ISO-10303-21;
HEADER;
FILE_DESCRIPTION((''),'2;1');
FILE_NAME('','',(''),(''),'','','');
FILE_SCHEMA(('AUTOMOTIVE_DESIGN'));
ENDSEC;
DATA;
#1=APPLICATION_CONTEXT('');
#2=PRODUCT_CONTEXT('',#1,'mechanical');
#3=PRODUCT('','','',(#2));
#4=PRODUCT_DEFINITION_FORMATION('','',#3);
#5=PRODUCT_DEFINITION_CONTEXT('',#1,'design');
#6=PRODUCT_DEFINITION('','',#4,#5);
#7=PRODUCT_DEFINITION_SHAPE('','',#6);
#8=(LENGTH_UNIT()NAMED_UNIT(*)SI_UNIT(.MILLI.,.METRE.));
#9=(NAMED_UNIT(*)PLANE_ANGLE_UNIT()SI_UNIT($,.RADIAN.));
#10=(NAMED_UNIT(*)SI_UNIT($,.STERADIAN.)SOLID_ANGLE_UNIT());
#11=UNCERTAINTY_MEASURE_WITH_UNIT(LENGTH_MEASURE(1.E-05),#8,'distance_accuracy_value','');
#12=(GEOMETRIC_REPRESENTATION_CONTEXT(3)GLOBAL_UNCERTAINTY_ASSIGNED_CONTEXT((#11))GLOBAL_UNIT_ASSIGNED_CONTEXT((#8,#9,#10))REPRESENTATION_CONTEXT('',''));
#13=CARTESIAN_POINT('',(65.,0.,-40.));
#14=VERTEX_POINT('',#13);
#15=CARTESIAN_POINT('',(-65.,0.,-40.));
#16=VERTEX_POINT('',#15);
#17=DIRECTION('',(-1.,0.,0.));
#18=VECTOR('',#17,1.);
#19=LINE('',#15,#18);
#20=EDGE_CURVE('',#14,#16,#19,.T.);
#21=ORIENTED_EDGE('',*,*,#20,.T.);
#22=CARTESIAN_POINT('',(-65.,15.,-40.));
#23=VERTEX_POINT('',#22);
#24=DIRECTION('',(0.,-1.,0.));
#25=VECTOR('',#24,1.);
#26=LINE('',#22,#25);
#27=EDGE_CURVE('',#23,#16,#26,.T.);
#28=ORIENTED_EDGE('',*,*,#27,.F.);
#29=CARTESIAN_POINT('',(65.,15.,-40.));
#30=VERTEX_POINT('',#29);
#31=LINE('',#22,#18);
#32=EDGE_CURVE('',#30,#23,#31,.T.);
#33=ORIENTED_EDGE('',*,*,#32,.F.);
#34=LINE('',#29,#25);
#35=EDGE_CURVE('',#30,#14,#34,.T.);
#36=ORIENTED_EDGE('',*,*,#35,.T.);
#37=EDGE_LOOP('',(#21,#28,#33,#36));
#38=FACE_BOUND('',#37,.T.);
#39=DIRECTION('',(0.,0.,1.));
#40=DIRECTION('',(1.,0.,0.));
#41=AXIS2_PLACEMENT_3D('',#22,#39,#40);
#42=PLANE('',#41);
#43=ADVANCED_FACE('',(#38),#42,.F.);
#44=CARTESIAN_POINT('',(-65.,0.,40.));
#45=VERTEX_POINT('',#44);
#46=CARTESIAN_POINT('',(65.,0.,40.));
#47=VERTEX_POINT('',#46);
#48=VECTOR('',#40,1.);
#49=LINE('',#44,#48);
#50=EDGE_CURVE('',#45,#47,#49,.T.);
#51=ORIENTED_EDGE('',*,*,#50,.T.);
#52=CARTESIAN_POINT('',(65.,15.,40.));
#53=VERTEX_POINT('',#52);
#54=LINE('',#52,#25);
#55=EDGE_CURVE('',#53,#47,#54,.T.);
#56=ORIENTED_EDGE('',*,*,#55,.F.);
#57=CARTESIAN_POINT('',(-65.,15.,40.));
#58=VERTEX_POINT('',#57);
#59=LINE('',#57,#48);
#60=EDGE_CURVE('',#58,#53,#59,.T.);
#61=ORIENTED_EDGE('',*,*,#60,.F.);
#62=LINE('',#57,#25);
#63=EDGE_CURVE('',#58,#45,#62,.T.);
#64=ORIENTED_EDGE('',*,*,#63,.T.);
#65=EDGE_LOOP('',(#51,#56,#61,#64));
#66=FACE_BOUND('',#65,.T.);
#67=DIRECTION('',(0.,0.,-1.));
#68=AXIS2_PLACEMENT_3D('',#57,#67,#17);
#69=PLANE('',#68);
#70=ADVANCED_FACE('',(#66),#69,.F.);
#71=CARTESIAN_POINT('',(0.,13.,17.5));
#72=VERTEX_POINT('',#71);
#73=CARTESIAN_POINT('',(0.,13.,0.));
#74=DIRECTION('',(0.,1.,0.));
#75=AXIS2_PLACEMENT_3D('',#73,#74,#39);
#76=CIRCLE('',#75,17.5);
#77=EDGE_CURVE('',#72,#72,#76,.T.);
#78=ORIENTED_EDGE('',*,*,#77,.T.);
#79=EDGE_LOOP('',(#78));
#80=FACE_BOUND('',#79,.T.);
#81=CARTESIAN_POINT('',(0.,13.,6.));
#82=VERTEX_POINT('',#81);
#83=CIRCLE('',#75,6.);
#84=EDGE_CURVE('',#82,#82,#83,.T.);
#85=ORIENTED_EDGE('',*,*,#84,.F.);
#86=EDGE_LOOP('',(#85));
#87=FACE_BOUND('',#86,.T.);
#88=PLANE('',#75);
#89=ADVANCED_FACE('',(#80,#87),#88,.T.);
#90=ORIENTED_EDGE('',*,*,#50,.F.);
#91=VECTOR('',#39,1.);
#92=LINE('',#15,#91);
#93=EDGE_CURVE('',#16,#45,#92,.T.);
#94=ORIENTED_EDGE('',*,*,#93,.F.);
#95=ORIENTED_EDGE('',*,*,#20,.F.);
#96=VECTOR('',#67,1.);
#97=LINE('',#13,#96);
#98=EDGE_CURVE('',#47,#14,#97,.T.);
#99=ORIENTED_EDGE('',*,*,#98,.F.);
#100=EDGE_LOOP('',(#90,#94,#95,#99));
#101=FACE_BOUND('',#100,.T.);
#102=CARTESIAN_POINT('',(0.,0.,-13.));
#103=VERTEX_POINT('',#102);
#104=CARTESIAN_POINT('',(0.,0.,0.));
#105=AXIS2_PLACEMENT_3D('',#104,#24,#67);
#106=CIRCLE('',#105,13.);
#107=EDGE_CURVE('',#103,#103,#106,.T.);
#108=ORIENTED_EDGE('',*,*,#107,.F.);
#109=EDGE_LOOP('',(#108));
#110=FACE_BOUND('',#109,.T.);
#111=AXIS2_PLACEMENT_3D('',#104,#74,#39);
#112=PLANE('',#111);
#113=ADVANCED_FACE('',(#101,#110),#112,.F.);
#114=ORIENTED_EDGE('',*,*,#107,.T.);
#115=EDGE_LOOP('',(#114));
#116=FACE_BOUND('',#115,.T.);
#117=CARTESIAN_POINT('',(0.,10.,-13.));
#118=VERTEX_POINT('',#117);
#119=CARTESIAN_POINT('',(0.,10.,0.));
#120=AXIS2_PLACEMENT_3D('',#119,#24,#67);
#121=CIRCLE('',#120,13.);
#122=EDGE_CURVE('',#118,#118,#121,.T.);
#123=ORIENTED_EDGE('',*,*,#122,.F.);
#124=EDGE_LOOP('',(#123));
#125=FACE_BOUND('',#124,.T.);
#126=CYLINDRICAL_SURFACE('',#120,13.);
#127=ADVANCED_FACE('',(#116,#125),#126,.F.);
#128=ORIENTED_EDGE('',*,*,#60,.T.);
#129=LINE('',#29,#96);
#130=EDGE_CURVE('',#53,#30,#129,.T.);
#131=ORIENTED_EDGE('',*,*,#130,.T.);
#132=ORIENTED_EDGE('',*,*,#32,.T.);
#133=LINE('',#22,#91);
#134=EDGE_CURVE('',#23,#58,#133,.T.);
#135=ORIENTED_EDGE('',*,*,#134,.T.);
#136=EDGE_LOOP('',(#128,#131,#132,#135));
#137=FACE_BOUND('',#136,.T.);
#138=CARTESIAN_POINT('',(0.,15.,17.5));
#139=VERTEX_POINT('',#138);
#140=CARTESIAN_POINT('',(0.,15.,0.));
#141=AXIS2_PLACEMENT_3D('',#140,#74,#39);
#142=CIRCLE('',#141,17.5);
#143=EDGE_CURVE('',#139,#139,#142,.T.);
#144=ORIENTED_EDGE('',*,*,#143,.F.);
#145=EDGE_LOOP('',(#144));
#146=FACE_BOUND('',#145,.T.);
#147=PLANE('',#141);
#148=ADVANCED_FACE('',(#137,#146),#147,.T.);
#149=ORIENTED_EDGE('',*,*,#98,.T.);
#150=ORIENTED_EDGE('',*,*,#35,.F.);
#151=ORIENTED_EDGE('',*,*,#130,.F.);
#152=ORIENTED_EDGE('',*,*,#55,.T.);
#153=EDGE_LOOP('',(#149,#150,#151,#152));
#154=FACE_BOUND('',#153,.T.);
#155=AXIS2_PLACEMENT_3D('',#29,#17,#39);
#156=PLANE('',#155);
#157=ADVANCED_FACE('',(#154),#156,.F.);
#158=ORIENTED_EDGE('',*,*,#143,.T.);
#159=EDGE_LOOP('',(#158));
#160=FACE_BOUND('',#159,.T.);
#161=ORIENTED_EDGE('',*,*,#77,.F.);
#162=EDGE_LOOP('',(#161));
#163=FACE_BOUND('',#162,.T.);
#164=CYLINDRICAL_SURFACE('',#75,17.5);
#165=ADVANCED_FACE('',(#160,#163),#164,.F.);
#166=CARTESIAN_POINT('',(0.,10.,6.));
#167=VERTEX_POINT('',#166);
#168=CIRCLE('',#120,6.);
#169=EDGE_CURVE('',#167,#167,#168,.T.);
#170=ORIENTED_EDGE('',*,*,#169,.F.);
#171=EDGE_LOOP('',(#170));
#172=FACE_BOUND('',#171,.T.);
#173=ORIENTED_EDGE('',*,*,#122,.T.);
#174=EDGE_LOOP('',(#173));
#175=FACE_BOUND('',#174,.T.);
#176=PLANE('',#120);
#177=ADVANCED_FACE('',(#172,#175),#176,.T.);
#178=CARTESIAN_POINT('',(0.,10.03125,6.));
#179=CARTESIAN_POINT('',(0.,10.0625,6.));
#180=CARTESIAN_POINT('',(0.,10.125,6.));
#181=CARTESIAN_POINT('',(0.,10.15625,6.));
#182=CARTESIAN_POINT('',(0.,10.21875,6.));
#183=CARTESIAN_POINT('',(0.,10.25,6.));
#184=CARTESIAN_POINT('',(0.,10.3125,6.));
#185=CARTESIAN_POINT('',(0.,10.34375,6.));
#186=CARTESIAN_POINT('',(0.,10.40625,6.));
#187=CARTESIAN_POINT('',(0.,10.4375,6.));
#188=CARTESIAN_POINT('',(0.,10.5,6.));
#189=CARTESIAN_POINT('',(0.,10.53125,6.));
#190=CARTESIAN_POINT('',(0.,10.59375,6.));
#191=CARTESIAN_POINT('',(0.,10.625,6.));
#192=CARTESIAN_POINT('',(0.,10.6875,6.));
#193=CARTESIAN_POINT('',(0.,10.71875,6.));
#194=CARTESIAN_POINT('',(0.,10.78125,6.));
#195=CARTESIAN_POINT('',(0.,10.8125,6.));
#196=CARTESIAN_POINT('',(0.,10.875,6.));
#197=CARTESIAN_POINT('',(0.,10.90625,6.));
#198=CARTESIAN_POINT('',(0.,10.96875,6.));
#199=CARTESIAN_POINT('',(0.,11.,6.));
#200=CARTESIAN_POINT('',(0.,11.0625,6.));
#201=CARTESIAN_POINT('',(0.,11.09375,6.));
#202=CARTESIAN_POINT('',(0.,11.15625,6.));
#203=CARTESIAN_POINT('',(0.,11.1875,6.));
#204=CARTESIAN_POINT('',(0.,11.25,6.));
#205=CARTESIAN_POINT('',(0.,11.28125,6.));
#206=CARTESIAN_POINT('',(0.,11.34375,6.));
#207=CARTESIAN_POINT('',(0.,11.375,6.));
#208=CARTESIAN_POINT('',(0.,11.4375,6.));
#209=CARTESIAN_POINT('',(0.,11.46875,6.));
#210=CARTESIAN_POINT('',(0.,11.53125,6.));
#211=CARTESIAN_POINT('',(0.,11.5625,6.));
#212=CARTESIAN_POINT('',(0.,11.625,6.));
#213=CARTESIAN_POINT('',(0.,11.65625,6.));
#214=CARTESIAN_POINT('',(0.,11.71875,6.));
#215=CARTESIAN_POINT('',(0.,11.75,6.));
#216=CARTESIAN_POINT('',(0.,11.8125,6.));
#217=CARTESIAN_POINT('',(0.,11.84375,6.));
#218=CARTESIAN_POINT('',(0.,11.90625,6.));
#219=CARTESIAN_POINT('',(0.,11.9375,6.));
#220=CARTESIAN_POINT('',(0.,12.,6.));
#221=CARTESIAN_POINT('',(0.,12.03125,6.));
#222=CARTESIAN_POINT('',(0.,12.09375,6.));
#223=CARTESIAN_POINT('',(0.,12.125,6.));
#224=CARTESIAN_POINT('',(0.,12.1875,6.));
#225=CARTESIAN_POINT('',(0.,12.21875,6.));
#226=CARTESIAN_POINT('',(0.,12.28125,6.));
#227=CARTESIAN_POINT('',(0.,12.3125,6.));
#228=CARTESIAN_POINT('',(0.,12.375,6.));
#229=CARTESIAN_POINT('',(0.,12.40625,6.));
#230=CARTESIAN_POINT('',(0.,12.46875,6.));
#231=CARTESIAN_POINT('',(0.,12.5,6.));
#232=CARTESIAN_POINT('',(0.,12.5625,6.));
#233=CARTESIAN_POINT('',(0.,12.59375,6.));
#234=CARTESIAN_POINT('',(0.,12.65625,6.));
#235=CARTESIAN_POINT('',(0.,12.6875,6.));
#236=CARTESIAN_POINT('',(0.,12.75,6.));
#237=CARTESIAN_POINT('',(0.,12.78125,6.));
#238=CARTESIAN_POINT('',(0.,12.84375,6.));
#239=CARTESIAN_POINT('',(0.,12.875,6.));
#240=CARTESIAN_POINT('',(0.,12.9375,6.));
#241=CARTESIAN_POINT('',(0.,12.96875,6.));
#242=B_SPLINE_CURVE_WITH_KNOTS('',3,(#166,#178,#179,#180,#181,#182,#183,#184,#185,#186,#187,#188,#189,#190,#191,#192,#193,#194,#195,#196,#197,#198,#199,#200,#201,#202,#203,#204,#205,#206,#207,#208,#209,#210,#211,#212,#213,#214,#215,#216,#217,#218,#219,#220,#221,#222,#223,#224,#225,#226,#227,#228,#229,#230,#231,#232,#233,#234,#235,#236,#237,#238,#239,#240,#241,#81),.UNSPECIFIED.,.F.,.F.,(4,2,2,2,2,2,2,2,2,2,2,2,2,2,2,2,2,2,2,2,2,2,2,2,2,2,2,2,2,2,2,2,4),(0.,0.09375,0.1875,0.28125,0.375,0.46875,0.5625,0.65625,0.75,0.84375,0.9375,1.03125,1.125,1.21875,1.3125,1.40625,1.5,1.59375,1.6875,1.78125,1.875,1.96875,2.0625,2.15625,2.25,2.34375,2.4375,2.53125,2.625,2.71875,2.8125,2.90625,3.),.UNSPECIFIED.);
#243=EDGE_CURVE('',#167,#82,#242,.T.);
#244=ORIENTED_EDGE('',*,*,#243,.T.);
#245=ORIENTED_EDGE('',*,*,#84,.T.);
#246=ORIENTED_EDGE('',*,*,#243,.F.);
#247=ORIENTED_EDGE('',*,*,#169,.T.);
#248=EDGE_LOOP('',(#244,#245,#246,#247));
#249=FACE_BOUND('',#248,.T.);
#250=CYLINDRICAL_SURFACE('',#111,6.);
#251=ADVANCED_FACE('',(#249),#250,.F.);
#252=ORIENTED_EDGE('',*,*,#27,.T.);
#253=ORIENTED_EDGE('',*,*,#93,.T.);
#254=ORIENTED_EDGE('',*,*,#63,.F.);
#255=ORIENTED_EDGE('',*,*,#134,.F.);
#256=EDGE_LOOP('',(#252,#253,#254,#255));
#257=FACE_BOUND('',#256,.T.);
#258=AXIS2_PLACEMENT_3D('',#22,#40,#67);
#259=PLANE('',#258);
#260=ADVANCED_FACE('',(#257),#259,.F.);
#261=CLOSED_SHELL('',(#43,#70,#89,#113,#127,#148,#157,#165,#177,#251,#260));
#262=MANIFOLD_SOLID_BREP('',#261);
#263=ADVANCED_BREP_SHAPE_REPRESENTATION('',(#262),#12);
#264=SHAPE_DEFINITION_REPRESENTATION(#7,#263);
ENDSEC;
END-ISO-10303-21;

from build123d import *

# Parameters (mm, degrees)
SKETCH_4_W          = 130
SKETCH_4_H          = 80
EXTRUDE_3_DEPTH     = 15
SKETCH_5_R          = 17.5
CUT_EXTRUDE_1_DEPTH = 2
SKETCH_6_R          = 13
CUT_EXTRUDE_2_DEPTH = 10
SKETCH_7_R          = 6
CUT_EXTRUDE_3_DEPTH = 78.420927403


with BuildPart() as part:
    # Эскиз4 → Бобышка-Вытянуть3 (new body)
    with BuildSketch(Plane(origin=(0, 0, 0), x_dir=(1, 0, 0), z_dir=(0, 1, 0))):
        Rectangle(SKETCH_4_W, SKETCH_4_H)
    extrude(amount=EXTRUDE_3_DEPTH)

    # Эскиз5 → Вырез-Вытянуть1 (cut)
    with BuildSketch(Plane(origin=(0, 15, 0), x_dir=(1, 0, 0), z_dir=(0, 1, 0))):
        with Locations(Location((0, 0, 0), (0, 0, 270))):
            Circle(SKETCH_5_R)
    extrude(amount=-CUT_EXTRUDE_1_DEPTH, mode=Mode.SUBTRACT)

    # Эскиз6 → Вырез-Вытянуть2 (cut)
    with BuildSketch(Plane.XZ):
        with Locations(Location((0, 0, 0), (0, 0, 270))):
            Circle(SKETCH_6_R)
    extrude(amount=-CUT_EXTRUDE_2_DEPTH, mode=Mode.SUBTRACT)

    # Эскиз7 → Вырез-Вытянуть3 (cut, through all)
    with BuildSketch(Plane(origin=(0, 13, 0), x_dir=(1, 0, 0), z_dir=(0, 1, 0))):
        with Locations(Location((0, 0, 0), (0, 0, 270))):
            Circle(SKETCH_7_R)
    extrude(amount=-CUT_EXTRUDE_3_DEPTH, mode=Mode.SUBTRACT)


solid = part.part
